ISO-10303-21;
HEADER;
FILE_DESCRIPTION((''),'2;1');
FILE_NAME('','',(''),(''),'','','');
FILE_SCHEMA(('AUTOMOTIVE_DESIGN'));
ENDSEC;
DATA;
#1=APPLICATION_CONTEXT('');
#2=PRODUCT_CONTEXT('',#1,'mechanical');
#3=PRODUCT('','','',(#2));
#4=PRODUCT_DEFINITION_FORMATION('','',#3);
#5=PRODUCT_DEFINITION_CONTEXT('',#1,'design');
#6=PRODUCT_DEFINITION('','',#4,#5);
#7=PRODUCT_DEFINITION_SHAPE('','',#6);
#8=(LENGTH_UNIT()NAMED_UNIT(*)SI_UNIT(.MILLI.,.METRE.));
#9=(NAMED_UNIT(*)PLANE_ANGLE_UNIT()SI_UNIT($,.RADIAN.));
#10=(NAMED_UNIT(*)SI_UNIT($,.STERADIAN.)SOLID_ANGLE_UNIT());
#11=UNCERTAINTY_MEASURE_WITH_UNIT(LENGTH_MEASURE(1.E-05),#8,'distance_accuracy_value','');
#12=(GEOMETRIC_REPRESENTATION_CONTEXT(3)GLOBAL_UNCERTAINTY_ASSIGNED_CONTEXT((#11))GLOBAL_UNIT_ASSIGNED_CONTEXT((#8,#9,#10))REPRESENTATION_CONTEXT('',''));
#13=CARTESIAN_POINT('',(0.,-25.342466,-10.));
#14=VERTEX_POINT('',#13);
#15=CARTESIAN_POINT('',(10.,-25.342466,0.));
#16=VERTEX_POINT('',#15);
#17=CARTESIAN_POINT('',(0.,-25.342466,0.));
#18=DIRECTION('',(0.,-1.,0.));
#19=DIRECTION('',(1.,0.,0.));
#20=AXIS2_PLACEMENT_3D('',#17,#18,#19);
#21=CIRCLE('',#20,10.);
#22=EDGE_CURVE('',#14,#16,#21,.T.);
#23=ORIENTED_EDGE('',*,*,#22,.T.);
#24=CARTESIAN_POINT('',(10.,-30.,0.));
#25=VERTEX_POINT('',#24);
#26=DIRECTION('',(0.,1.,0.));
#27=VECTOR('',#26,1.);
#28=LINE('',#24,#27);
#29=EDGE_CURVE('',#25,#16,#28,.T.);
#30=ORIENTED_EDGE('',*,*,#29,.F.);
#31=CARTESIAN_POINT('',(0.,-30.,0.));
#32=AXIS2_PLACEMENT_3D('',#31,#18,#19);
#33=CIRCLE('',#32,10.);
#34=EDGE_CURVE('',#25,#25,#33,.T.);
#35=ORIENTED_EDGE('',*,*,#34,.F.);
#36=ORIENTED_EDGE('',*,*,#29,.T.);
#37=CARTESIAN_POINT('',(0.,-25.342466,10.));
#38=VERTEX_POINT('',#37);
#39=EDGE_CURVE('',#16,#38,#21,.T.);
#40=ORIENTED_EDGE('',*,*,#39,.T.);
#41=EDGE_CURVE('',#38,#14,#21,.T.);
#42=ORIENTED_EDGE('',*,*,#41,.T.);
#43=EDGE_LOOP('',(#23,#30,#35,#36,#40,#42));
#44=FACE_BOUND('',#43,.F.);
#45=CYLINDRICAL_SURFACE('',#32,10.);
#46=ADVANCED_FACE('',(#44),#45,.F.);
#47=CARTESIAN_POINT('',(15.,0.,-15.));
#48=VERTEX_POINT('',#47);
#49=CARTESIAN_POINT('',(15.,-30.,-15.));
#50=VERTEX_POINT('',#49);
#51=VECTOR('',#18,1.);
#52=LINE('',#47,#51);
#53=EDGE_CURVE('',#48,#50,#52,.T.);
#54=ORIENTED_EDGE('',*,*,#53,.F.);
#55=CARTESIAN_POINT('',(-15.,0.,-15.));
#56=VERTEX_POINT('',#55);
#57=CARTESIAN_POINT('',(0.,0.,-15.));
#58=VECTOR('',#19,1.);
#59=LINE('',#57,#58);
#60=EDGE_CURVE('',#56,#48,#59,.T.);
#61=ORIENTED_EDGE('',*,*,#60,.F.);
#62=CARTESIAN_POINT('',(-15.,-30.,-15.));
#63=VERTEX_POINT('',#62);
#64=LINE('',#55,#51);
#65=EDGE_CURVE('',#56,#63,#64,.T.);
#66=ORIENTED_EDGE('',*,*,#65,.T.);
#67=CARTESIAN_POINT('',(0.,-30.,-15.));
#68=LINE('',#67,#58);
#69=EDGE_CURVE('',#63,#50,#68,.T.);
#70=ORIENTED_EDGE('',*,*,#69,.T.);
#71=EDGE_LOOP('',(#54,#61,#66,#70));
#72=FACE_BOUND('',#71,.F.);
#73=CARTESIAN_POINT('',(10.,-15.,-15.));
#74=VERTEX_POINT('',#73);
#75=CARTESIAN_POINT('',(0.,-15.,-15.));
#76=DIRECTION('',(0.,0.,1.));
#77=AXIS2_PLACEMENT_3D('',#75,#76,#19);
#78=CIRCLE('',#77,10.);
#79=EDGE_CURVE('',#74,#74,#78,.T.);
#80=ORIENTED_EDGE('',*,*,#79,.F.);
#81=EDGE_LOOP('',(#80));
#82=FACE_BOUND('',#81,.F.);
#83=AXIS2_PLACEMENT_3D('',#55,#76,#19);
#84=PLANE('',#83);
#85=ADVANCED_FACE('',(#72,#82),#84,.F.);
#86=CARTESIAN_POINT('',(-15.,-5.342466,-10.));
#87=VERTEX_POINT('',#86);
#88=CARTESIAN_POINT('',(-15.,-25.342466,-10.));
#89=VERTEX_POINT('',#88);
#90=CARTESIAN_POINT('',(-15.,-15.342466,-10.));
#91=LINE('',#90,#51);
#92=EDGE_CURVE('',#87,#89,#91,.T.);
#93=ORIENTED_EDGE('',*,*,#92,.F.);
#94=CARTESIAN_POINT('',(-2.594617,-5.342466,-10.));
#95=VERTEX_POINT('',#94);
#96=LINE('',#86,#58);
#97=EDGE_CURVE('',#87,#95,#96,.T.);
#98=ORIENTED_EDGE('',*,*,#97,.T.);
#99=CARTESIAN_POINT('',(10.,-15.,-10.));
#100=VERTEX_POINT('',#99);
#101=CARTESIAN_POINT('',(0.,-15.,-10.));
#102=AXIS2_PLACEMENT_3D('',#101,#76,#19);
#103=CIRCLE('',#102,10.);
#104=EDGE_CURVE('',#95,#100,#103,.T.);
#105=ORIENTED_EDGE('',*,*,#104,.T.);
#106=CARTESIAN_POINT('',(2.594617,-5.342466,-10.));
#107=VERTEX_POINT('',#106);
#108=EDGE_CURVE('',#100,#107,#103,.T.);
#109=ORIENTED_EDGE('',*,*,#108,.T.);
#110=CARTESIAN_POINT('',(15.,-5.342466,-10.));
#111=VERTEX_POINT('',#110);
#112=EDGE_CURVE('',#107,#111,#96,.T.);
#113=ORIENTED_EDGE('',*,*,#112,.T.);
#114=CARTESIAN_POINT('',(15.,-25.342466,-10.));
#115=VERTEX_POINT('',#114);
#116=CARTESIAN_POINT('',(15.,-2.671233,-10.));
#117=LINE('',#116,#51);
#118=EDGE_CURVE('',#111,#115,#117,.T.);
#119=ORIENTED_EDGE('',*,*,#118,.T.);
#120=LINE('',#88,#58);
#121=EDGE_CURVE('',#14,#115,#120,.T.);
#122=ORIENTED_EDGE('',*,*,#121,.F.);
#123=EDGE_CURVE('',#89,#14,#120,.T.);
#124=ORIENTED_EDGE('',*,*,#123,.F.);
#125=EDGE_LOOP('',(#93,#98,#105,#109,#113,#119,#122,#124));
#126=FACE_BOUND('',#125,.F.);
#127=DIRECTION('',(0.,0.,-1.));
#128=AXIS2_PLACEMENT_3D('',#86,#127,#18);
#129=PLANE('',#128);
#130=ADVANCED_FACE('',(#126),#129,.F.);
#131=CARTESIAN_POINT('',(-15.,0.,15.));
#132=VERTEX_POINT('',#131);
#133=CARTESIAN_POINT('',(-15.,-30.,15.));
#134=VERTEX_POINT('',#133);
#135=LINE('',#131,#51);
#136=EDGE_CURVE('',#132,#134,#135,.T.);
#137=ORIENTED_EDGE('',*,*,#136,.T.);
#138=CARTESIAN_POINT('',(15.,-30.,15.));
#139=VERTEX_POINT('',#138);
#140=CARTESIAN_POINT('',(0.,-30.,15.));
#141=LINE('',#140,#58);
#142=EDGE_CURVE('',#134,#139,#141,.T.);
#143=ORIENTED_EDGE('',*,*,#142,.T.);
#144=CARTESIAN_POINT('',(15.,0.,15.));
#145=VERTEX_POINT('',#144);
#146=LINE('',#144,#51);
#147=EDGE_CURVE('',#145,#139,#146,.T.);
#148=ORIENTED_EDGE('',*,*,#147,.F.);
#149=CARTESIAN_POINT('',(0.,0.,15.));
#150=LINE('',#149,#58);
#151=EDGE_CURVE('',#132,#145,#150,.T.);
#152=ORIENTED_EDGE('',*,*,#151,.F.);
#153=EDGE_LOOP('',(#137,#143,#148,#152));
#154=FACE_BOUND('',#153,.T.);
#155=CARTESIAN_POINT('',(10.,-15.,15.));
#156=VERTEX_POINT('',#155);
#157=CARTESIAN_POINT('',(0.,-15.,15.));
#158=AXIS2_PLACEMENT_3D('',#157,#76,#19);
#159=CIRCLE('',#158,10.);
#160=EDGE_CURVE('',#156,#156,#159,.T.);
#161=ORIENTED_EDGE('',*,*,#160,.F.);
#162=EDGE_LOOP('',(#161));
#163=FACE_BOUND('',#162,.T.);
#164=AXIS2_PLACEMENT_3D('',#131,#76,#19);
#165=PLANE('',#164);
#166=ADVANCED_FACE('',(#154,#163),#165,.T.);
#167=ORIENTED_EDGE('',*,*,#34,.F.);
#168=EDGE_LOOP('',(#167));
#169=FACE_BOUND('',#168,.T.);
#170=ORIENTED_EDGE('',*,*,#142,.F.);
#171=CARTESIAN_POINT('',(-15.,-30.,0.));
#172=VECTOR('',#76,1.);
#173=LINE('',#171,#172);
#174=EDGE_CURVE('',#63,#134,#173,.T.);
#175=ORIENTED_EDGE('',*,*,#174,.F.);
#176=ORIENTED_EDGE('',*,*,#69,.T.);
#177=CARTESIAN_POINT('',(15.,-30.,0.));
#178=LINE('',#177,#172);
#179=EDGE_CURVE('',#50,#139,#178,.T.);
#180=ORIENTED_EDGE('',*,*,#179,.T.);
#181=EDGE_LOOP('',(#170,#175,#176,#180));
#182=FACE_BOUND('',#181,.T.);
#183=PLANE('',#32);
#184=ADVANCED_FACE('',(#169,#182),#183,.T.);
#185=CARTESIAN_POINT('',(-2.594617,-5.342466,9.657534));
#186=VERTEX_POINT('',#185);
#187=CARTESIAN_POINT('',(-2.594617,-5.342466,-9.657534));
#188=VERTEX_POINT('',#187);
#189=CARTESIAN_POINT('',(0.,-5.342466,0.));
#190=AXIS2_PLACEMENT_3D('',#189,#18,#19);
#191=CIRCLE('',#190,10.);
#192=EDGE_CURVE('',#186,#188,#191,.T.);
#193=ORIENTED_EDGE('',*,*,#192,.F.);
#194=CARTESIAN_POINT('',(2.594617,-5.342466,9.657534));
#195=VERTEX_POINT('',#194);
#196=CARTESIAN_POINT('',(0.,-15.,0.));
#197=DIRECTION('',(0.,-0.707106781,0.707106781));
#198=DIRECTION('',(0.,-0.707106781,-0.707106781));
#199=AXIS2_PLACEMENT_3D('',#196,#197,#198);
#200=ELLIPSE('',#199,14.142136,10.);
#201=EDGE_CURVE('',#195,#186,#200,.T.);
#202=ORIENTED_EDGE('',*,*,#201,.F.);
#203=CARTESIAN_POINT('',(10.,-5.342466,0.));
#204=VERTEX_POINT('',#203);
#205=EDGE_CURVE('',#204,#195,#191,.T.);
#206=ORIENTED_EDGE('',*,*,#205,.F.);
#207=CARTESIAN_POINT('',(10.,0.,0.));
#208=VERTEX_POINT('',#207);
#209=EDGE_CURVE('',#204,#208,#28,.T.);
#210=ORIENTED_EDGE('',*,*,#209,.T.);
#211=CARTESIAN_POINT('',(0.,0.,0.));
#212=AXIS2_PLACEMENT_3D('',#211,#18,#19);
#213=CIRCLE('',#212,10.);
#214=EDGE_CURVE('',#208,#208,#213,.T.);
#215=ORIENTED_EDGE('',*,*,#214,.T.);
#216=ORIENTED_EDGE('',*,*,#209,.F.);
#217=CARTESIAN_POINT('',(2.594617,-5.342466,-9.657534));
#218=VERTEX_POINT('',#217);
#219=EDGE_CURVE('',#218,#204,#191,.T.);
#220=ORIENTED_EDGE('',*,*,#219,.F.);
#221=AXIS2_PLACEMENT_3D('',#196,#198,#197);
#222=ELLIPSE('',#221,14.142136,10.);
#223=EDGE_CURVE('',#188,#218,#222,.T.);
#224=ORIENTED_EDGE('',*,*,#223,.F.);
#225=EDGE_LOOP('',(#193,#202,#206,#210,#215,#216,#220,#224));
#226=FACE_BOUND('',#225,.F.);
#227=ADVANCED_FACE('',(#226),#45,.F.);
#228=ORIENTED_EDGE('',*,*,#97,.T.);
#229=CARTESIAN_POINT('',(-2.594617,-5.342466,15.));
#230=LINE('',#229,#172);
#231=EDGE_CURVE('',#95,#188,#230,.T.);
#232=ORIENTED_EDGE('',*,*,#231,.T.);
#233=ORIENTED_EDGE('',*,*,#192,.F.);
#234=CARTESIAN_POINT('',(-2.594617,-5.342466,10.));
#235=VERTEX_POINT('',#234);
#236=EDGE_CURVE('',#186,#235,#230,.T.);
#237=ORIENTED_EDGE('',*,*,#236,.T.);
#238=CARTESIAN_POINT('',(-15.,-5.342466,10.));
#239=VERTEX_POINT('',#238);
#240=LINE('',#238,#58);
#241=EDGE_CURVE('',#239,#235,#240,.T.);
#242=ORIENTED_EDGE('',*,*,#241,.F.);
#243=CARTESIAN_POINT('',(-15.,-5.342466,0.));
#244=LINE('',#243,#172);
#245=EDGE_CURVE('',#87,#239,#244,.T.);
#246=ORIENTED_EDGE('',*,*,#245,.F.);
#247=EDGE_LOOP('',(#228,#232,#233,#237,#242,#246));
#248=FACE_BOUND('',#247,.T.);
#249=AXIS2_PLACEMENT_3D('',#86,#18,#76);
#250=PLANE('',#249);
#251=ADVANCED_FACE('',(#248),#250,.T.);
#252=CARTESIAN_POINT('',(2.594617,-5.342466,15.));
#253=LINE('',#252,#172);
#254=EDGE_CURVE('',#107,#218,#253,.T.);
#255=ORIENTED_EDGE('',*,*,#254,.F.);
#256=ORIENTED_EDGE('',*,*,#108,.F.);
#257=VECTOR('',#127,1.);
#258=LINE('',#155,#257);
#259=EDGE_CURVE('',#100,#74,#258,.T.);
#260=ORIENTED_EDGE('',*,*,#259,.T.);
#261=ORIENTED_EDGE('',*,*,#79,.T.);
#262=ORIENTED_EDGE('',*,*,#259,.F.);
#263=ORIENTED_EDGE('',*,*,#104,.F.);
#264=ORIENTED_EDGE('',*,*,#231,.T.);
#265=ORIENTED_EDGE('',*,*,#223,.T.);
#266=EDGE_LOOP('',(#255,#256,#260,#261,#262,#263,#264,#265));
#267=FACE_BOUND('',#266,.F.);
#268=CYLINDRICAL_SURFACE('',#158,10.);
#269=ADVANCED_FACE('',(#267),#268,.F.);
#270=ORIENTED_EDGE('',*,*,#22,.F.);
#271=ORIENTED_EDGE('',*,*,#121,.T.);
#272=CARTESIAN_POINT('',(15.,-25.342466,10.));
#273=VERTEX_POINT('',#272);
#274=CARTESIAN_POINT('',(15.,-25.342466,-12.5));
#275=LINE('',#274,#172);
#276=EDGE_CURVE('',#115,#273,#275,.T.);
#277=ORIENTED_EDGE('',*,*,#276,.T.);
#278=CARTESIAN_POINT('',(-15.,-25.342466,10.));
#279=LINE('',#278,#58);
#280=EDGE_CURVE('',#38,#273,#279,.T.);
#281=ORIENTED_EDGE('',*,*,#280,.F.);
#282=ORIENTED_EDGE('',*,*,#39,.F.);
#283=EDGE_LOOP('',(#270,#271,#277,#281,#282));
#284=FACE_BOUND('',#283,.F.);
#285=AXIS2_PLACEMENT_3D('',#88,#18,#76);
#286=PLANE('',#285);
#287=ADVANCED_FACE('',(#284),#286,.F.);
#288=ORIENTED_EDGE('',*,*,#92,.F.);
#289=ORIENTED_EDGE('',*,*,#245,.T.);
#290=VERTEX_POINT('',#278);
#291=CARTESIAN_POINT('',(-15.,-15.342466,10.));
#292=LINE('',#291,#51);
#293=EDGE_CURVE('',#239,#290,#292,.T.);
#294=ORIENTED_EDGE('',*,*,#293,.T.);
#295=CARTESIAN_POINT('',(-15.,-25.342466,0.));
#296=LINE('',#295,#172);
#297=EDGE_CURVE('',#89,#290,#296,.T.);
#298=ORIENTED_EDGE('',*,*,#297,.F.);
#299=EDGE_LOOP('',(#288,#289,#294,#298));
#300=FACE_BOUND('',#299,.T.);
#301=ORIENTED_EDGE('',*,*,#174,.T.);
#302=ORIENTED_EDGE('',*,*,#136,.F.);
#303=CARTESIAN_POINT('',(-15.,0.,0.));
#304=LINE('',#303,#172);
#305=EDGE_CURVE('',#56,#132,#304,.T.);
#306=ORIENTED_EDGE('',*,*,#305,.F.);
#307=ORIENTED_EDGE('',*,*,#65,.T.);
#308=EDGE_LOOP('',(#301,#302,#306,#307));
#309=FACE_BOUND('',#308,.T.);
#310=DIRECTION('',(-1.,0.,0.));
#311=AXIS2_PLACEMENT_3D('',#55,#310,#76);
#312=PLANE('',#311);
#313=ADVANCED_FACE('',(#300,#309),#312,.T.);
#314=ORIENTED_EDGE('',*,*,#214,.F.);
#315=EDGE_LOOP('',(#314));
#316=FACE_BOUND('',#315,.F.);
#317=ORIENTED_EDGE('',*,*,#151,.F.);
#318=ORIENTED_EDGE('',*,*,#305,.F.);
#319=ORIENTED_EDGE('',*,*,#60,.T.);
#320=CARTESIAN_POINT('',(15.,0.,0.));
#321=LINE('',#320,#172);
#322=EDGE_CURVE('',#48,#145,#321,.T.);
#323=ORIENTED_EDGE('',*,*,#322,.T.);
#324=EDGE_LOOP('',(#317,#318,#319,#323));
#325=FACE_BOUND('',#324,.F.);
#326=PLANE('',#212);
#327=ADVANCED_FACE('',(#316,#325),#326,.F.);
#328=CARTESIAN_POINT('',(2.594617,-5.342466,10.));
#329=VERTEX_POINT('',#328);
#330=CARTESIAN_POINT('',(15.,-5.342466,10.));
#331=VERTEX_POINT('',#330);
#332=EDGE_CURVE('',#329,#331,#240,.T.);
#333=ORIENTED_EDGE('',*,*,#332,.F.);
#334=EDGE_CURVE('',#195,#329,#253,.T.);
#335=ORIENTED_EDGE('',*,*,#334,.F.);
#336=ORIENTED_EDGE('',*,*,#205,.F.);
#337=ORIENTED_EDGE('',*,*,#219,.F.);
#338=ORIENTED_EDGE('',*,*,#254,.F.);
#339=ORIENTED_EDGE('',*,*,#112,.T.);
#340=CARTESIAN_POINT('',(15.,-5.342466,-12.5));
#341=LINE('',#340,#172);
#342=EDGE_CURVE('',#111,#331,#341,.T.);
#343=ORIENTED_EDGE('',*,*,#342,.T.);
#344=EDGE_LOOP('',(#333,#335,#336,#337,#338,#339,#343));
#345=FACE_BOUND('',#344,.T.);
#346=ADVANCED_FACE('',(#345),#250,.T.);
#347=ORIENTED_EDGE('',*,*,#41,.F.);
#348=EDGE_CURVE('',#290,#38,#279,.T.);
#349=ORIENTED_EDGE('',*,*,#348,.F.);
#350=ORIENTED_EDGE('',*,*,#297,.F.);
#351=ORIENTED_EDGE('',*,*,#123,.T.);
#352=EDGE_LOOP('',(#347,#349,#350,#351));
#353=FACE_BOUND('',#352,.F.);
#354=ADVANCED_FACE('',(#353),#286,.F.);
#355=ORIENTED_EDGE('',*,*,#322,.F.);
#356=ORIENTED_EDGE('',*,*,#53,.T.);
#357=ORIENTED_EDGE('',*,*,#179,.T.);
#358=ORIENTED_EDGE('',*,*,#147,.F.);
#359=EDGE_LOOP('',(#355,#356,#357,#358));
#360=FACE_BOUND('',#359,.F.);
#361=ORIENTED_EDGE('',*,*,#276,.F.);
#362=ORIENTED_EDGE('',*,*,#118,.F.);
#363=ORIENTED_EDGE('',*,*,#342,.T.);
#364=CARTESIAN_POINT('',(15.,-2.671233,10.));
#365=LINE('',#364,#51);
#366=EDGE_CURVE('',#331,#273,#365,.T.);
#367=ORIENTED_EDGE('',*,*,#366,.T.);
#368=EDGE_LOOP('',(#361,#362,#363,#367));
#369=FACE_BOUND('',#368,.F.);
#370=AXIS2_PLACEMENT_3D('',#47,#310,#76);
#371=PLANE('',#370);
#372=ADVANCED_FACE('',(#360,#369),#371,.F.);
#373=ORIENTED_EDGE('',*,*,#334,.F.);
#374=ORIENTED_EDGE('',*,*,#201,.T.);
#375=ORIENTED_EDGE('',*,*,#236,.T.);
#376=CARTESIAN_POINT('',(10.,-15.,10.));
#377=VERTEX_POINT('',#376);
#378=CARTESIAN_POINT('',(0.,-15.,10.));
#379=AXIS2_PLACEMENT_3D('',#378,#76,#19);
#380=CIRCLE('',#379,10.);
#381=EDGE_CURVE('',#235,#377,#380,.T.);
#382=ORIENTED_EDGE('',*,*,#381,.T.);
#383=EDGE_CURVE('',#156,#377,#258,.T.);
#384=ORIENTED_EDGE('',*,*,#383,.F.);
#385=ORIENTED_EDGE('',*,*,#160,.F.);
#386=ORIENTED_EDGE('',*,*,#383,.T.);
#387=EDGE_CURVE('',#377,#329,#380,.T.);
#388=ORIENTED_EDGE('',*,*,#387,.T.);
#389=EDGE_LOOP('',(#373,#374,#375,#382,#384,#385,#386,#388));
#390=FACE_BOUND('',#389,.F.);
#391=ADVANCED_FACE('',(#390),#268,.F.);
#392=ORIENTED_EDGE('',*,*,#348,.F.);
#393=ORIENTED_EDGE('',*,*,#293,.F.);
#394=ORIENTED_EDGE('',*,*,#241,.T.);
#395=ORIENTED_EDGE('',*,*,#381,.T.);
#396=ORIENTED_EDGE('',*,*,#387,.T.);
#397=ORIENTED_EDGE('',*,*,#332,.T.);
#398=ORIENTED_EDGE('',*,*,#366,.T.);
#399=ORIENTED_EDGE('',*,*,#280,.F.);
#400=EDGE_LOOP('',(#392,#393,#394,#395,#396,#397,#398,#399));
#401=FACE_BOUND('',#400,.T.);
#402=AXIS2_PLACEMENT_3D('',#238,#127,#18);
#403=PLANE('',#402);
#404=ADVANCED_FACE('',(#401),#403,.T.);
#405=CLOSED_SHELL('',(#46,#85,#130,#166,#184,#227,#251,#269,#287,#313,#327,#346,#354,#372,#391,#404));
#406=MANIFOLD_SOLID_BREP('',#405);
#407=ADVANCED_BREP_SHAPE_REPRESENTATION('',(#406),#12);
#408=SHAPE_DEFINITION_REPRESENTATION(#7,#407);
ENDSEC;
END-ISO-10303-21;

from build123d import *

# Parameters (mm, degrees)
F0_W     = 30
F0_H     = 30
F1_DEPTH = 30
F3_R     = 10
F5_DEPTH = 30.001
F4_W     = 20
F4_H     = 20
F6_DEPTH = 30.001
F7_R     = 10
F8_DEPTH = 30.001


with BuildPart() as f1:
    # F0 (on Front) → F1 (new body)
    with BuildSketch(Plane.XZ):
        Rectangle(F0_W, F0_H)
    extrude(amount=F1_DEPTH)

    # F3 (on face) → F5 (cut, through all)
    with BuildSketch(Plane.XZ.offset(30)):
        Circle(F3_R)
    extrude(amount=-F5_DEPTH, mode=Mode.SUBTRACT)

    # F4 (on face) → F6 (cut, through all)
    with BuildSketch(Plane(origin=(-15, 0, 0), x_dir=(0, -1, 0), z_dir=(-1, 0, 0))):
        with Locations((15.342466, 0)):
            Rectangle(F4_W, F4_H)
    extrude(amount=-F6_DEPTH, mode=Mode.SUBTRACT)

    # F7 (on face) → F8 (cut, through all)
    with BuildSketch(Plane.XY.offset(15)):
        with Locations((0, -15)):
            Circle(F7_R)
    extrude(amount=-F8_DEPTH, mode=Mode.SUBTRACT)


solid = f1.part
